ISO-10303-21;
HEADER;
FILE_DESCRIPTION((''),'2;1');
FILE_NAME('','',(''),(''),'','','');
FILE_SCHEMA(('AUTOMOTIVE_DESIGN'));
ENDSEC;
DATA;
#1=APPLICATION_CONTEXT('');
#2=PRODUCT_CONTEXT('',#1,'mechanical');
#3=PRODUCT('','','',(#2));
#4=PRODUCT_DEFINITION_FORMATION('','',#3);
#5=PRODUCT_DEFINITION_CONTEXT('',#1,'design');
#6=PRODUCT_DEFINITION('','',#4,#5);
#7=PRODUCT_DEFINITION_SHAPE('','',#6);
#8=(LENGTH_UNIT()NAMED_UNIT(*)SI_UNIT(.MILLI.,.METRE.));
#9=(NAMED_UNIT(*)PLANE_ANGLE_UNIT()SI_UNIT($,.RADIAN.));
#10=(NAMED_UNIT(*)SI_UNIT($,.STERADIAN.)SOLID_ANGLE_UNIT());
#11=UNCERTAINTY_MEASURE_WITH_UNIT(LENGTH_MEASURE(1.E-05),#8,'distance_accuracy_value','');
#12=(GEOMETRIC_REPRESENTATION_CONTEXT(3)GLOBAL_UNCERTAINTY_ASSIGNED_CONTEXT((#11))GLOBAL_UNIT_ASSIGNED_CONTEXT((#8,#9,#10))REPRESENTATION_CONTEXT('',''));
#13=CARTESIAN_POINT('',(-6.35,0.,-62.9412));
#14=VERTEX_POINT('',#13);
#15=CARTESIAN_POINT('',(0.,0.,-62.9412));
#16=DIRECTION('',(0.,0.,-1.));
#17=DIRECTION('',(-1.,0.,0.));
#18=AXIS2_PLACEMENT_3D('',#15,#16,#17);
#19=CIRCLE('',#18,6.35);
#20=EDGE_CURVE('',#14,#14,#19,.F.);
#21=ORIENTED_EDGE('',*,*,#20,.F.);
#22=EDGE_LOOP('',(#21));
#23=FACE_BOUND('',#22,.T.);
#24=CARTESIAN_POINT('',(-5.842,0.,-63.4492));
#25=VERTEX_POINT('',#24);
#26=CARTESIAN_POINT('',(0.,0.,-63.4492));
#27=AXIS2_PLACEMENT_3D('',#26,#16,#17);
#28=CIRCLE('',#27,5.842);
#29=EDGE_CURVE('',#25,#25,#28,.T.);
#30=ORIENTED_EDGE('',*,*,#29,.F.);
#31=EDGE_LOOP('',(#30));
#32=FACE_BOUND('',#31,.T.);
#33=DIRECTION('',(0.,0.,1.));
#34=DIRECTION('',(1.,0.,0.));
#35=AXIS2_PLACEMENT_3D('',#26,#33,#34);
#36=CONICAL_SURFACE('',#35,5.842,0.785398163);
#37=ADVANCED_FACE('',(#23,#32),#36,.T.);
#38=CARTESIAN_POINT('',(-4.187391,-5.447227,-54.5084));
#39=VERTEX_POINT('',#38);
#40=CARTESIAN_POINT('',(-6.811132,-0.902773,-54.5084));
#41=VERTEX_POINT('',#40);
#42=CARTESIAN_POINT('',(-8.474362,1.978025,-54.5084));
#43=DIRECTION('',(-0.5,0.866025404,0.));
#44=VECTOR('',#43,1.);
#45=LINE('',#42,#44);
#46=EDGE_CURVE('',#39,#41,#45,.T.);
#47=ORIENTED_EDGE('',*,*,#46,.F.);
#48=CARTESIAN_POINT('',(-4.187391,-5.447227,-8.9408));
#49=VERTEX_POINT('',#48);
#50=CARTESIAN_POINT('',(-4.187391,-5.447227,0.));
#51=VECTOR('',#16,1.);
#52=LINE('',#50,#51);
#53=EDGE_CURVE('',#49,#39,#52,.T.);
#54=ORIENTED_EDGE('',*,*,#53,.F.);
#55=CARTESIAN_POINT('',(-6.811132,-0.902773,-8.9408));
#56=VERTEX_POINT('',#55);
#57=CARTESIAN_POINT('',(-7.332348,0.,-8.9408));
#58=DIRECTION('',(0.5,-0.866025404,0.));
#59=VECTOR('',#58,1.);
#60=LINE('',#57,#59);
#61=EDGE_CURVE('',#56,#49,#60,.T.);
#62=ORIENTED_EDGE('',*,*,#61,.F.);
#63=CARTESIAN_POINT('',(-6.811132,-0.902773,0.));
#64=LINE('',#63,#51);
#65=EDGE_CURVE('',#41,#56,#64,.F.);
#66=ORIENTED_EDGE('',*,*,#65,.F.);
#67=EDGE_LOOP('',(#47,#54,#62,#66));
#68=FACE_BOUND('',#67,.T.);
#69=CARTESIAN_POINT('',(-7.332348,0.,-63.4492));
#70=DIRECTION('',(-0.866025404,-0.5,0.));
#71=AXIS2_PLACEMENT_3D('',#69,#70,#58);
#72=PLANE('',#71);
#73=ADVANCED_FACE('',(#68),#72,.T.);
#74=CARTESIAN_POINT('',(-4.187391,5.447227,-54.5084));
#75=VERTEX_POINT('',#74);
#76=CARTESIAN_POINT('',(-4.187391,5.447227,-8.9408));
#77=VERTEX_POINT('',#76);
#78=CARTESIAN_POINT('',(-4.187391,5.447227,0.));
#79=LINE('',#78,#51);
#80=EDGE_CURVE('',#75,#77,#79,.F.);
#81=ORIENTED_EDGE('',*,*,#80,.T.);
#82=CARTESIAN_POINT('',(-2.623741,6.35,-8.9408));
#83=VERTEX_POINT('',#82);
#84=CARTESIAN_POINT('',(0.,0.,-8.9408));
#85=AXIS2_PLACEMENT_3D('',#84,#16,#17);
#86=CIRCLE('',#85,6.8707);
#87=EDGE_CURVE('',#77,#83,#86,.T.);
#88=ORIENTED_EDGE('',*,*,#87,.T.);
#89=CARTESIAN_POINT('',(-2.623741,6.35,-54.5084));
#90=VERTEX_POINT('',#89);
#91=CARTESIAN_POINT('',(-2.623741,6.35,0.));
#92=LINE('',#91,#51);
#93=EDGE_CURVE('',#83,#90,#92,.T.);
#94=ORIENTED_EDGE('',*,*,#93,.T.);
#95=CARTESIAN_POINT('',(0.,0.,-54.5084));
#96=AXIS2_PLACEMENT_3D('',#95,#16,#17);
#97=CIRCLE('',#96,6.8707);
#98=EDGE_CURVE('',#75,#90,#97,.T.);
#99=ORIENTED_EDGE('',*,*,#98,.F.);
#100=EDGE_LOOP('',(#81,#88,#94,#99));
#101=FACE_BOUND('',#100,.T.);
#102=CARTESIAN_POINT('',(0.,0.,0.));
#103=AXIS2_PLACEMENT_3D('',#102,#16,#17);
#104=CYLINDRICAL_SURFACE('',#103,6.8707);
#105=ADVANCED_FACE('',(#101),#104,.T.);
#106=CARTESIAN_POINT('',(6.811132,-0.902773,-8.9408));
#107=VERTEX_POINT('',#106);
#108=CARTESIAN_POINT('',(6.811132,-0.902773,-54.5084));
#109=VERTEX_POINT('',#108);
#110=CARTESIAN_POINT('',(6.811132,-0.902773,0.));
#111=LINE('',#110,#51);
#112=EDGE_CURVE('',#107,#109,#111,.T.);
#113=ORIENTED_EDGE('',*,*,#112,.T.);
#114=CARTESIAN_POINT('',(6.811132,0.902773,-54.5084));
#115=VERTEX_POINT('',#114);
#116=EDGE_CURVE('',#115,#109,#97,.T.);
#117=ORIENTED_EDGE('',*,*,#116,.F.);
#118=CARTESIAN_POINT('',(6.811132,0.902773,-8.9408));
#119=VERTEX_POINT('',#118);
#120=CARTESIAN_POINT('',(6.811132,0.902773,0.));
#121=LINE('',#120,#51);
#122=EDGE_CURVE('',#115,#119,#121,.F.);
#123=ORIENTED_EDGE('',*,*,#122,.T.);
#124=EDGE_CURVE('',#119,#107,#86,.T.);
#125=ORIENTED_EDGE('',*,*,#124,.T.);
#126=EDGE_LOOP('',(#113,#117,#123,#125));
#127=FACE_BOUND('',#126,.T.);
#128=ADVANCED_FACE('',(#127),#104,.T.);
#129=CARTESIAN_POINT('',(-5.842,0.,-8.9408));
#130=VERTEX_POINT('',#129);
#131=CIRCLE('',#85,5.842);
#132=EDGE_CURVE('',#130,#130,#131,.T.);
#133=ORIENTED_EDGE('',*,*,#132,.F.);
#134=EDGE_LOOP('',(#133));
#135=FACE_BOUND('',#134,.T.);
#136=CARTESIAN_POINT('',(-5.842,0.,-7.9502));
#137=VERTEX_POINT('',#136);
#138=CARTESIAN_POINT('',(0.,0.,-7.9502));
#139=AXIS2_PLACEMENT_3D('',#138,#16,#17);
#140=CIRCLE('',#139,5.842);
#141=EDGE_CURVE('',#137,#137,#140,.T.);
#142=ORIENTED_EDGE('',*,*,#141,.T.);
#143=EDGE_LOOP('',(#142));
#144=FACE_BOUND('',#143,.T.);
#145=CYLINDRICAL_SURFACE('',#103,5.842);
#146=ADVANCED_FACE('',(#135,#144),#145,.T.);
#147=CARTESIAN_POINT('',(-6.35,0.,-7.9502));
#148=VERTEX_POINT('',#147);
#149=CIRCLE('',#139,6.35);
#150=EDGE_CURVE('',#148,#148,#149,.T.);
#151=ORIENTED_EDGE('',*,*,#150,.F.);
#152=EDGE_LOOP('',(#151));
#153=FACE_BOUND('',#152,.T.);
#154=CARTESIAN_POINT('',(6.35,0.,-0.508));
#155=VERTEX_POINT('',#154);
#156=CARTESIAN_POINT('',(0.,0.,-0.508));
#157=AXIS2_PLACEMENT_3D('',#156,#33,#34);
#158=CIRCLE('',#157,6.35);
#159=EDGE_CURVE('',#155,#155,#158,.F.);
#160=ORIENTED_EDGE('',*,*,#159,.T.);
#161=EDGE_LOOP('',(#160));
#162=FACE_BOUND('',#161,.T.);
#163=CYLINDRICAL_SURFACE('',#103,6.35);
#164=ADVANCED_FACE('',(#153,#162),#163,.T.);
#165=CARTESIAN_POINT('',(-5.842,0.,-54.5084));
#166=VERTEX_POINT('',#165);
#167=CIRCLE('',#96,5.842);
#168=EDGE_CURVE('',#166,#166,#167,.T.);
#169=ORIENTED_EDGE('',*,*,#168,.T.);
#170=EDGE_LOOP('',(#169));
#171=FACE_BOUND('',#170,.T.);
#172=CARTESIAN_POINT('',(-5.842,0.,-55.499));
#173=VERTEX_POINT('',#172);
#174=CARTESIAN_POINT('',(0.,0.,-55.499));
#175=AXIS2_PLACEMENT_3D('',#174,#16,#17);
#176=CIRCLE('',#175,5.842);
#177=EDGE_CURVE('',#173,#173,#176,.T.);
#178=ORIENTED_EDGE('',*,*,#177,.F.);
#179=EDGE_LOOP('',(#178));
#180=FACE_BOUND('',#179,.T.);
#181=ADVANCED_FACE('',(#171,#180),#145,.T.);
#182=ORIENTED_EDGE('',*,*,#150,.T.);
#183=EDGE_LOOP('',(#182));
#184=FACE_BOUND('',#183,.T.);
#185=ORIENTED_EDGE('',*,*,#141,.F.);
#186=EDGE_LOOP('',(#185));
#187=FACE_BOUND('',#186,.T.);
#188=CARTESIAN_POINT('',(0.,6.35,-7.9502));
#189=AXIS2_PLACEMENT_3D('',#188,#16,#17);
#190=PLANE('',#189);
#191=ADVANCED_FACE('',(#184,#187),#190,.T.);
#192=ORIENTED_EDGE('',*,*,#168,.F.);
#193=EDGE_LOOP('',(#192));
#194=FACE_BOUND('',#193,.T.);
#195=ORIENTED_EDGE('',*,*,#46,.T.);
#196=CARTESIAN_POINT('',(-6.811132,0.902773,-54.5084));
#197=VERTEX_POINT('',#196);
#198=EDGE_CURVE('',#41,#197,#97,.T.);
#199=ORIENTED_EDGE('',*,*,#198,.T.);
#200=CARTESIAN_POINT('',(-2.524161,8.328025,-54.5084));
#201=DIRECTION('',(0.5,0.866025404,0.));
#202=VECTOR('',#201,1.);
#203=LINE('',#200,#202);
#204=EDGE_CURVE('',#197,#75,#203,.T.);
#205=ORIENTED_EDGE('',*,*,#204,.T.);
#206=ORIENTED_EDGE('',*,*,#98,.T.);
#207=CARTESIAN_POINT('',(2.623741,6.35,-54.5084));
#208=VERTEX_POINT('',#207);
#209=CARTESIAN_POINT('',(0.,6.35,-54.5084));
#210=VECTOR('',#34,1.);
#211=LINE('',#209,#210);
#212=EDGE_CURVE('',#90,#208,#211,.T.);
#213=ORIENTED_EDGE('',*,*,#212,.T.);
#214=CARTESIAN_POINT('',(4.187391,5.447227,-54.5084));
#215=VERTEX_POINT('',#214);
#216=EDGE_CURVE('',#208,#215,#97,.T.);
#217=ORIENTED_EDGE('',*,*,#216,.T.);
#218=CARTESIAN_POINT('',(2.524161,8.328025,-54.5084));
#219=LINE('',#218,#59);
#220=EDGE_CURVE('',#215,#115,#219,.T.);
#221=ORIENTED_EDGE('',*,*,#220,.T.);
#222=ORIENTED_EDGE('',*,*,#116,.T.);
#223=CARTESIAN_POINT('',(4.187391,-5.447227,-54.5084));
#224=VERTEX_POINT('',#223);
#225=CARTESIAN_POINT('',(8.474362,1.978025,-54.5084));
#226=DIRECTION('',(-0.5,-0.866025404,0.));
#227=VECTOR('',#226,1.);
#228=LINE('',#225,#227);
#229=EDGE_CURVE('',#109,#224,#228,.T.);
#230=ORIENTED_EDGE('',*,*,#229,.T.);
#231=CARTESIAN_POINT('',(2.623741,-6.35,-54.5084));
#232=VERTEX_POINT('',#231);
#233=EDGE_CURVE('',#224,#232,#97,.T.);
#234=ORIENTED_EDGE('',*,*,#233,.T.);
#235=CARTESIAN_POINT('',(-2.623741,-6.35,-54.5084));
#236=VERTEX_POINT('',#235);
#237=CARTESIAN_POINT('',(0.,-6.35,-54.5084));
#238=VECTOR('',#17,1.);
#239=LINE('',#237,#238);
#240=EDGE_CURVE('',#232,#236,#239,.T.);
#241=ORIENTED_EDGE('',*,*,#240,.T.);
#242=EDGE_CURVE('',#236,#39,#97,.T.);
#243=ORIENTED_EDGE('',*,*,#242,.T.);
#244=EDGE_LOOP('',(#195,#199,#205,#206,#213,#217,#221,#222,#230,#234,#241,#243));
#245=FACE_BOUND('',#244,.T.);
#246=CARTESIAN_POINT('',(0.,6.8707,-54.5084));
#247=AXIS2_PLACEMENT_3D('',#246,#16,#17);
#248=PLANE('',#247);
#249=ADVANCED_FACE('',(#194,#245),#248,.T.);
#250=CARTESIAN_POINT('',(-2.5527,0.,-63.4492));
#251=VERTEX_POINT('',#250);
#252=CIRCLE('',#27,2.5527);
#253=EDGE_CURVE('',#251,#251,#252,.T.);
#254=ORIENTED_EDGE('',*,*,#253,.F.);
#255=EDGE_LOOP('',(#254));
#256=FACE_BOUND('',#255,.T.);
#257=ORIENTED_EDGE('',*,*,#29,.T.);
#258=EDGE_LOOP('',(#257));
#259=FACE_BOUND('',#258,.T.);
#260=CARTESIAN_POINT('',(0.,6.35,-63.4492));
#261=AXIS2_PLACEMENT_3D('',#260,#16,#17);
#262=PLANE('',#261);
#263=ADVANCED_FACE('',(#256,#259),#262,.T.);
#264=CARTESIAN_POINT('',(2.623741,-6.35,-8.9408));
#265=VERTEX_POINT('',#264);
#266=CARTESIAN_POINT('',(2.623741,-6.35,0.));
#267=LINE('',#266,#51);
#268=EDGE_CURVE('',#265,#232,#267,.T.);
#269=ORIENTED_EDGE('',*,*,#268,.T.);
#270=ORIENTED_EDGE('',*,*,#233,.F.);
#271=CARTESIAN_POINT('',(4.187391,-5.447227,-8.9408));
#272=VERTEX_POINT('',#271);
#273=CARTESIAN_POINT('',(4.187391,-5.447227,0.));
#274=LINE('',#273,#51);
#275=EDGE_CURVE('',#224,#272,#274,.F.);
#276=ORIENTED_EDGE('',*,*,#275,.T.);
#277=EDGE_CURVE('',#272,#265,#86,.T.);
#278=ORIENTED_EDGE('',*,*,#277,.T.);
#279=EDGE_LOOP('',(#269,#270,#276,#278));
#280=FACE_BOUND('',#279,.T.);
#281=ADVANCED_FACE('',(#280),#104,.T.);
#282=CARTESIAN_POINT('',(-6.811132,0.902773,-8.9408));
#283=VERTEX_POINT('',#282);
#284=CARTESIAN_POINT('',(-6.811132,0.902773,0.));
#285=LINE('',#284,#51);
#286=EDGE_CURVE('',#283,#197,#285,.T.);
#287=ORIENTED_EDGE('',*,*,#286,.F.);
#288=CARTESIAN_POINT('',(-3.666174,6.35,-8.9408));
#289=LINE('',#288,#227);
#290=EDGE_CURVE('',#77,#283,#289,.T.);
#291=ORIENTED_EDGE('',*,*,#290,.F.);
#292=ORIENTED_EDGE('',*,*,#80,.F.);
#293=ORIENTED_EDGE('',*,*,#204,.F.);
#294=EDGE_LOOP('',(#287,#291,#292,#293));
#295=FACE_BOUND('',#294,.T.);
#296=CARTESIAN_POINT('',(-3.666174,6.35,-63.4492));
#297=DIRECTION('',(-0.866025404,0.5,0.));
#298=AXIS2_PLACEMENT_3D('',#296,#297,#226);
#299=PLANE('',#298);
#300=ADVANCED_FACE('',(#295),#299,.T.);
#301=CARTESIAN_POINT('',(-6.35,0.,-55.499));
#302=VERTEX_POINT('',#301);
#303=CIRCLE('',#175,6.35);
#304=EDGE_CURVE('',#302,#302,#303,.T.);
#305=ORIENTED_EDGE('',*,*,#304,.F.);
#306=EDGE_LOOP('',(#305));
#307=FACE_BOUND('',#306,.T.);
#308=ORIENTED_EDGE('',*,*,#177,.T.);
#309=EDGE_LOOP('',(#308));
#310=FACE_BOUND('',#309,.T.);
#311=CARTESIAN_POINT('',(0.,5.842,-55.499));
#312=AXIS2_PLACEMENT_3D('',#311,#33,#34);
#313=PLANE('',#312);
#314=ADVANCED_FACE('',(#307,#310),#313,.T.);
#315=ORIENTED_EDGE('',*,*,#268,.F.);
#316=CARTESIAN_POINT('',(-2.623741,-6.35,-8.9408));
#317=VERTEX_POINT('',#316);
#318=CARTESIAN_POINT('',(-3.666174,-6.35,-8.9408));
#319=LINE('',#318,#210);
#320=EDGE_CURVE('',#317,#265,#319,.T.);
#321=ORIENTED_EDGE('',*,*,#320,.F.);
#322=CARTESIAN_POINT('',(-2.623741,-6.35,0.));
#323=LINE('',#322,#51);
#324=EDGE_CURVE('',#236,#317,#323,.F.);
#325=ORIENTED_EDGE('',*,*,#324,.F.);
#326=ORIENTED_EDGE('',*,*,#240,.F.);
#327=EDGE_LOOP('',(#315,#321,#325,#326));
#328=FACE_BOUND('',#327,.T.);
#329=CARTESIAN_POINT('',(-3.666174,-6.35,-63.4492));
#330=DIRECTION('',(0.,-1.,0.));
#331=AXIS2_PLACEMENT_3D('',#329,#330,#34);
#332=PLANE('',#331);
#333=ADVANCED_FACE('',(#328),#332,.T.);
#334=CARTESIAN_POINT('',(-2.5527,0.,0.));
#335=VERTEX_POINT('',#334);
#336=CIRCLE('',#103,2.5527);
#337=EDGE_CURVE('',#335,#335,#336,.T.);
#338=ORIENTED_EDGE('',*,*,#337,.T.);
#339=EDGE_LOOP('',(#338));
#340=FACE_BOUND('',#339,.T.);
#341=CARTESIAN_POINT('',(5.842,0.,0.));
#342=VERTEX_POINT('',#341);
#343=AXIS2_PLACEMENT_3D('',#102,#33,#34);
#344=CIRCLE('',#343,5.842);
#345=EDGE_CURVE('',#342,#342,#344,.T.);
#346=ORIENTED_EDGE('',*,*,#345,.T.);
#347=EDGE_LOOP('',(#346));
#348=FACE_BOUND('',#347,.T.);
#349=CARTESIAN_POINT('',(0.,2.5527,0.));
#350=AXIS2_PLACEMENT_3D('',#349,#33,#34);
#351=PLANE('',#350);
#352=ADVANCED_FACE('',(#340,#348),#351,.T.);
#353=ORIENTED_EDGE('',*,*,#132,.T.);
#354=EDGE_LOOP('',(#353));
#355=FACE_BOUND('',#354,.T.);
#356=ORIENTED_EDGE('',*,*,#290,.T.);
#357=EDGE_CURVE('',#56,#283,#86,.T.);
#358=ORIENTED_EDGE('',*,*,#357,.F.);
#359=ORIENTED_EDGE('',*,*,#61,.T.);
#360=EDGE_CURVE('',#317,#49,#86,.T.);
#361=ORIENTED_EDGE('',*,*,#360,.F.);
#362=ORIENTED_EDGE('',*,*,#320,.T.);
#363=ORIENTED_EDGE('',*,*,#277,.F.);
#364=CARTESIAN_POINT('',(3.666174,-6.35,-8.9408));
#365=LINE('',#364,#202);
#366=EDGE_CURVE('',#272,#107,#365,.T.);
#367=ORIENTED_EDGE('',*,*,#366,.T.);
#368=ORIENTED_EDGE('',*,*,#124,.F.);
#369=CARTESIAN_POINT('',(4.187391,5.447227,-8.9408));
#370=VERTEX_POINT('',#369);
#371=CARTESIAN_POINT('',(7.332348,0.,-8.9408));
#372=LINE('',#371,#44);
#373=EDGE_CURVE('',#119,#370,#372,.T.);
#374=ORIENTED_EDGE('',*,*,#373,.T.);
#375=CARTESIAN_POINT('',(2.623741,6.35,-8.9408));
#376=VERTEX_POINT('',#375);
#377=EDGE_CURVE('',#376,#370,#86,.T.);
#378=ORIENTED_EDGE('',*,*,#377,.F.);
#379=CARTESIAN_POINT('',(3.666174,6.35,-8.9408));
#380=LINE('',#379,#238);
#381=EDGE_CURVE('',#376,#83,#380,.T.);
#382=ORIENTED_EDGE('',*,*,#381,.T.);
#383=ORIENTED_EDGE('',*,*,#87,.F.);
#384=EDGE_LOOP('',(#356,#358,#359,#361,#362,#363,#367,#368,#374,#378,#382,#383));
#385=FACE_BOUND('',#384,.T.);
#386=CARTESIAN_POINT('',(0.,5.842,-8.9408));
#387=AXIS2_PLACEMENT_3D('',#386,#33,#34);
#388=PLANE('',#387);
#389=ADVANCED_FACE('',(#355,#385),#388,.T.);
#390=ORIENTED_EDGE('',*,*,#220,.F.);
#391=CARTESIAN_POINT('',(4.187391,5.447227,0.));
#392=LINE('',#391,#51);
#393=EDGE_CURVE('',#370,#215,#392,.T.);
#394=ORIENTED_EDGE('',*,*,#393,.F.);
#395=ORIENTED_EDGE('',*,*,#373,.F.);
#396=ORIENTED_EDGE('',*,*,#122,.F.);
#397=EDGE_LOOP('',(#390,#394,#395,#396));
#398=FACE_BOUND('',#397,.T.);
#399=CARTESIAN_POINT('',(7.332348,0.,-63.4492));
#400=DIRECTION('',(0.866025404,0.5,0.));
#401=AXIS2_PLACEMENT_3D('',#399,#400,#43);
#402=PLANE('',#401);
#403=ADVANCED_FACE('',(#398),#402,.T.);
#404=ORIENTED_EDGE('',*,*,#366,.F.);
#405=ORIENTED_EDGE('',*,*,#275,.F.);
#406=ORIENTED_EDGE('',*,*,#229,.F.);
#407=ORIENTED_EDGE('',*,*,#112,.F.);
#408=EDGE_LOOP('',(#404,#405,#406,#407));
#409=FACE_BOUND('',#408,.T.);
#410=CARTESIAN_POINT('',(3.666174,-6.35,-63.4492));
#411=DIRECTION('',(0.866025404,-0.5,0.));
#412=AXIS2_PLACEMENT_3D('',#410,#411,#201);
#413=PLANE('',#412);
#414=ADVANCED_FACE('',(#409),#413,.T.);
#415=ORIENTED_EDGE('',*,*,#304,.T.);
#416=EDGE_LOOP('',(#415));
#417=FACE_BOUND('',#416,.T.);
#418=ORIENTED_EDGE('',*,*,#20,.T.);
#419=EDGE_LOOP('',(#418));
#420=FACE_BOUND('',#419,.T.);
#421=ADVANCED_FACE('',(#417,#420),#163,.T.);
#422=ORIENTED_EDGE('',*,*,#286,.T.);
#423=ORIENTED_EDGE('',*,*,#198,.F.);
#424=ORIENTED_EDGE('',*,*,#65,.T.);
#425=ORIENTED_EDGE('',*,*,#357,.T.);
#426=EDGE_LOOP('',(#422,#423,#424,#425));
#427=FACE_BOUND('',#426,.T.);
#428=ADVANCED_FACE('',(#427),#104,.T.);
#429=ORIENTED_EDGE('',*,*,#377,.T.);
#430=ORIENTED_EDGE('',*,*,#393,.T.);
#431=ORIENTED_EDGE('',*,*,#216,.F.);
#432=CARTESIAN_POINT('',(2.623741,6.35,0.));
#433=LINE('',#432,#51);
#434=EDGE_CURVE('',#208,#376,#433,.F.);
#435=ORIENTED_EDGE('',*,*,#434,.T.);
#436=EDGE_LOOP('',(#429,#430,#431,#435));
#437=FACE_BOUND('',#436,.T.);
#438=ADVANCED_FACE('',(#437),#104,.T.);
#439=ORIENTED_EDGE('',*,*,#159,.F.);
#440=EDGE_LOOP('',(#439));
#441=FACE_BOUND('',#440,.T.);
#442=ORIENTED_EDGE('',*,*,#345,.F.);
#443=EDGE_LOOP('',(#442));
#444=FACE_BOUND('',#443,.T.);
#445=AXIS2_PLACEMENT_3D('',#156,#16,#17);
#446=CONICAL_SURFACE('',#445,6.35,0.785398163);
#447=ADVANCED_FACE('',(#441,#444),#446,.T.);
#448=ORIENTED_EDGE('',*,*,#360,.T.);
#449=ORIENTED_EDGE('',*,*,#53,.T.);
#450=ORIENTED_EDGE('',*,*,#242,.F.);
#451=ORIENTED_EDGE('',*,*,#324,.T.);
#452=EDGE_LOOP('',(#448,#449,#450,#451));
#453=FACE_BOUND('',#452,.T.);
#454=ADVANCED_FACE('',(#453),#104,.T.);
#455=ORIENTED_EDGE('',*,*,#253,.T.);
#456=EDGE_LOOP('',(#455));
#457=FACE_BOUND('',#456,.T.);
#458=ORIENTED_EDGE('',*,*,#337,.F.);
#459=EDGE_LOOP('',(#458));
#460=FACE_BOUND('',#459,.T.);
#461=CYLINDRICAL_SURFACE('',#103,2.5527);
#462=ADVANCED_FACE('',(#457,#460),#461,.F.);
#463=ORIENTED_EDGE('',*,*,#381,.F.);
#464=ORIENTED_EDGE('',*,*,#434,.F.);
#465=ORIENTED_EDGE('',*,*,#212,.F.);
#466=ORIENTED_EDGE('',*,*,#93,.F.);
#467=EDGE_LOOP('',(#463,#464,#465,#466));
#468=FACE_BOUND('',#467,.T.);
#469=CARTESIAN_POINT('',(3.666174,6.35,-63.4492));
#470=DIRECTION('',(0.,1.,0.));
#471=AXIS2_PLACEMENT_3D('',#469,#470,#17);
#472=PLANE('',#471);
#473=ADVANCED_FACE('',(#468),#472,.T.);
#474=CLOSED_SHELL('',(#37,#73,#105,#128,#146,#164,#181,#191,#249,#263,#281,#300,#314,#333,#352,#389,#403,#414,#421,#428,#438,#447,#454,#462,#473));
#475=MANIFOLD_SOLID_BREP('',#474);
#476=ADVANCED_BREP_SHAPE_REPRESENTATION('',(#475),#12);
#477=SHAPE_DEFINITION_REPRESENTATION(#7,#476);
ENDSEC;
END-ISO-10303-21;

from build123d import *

# Parameters (mm, degrees)
SKETCH2_OUTSIDE_W  = 29.014
SKETCH2_OUTSIDE_H  = 29.014
CUT_EXTRUDE1_DEPTH = 56.367668431
CHAMFER1_SIZE      = 0.508


with BuildPart() as part:
    # Sketch1 → Revolve1 (revolve)
    with BuildSketch(Plane(origin=(0, 0, 0), x_dir=(0, 0, -1), z_dir=(1, 0, 0)), mode=Mode.PRIVATE) as revolve1_sk:
        Polygon((0, 2.5527), (0, 6.35), (7.9502, 6.35), (7.9502, 5.842), (8.9408, 5.842), (8.9408, 6.8707), (19.88570353, 6.8707), (54.5084, 6.8707), (54.5084, 5.842), (55.499, 5.842), (55.499, 6.35), (63.4492, 6.35), (63.4492, 2.5527), (19.88570353, 2.5527), align=None)
    revolve(revolve1_sk.sketch.rotate(Axis((0, 0, 0), (0, 0, 1)), 90), axis=Axis((0, 0, 0), (0, 0, 1)))

    # Sketch2 outside → Cut-Extrude1 (cut, through all)
    with BuildSketch(Plane.XY.offset(-8.9408)):
        Rectangle(SKETCH2_OUTSIDE_W, SKETCH2_OUTSIDE_H)
        Polygon((-3.666174209, 6.35), (-7.332348419, 0), (-3.666174209, -6.35), (3.666174209, -6.35), (7.332348419, 0), (3.666174209, 6.35), align=None, mode=Mode.SUBTRACT)
    extrude(amount=-CUT_EXTRUDE1_DEPTH, mode=Mode.SUBTRACT)

    # Chamfer1
    chamfer1_edges = [part.edges().sort_by_distance(p)[0] for p in [
        (6.35, 0, -63.4492),
        (6.35, 0, 0),
    ]]
    chamfer(chamfer1_edges, length=CHAMFER1_SIZE)


solid = part.part
